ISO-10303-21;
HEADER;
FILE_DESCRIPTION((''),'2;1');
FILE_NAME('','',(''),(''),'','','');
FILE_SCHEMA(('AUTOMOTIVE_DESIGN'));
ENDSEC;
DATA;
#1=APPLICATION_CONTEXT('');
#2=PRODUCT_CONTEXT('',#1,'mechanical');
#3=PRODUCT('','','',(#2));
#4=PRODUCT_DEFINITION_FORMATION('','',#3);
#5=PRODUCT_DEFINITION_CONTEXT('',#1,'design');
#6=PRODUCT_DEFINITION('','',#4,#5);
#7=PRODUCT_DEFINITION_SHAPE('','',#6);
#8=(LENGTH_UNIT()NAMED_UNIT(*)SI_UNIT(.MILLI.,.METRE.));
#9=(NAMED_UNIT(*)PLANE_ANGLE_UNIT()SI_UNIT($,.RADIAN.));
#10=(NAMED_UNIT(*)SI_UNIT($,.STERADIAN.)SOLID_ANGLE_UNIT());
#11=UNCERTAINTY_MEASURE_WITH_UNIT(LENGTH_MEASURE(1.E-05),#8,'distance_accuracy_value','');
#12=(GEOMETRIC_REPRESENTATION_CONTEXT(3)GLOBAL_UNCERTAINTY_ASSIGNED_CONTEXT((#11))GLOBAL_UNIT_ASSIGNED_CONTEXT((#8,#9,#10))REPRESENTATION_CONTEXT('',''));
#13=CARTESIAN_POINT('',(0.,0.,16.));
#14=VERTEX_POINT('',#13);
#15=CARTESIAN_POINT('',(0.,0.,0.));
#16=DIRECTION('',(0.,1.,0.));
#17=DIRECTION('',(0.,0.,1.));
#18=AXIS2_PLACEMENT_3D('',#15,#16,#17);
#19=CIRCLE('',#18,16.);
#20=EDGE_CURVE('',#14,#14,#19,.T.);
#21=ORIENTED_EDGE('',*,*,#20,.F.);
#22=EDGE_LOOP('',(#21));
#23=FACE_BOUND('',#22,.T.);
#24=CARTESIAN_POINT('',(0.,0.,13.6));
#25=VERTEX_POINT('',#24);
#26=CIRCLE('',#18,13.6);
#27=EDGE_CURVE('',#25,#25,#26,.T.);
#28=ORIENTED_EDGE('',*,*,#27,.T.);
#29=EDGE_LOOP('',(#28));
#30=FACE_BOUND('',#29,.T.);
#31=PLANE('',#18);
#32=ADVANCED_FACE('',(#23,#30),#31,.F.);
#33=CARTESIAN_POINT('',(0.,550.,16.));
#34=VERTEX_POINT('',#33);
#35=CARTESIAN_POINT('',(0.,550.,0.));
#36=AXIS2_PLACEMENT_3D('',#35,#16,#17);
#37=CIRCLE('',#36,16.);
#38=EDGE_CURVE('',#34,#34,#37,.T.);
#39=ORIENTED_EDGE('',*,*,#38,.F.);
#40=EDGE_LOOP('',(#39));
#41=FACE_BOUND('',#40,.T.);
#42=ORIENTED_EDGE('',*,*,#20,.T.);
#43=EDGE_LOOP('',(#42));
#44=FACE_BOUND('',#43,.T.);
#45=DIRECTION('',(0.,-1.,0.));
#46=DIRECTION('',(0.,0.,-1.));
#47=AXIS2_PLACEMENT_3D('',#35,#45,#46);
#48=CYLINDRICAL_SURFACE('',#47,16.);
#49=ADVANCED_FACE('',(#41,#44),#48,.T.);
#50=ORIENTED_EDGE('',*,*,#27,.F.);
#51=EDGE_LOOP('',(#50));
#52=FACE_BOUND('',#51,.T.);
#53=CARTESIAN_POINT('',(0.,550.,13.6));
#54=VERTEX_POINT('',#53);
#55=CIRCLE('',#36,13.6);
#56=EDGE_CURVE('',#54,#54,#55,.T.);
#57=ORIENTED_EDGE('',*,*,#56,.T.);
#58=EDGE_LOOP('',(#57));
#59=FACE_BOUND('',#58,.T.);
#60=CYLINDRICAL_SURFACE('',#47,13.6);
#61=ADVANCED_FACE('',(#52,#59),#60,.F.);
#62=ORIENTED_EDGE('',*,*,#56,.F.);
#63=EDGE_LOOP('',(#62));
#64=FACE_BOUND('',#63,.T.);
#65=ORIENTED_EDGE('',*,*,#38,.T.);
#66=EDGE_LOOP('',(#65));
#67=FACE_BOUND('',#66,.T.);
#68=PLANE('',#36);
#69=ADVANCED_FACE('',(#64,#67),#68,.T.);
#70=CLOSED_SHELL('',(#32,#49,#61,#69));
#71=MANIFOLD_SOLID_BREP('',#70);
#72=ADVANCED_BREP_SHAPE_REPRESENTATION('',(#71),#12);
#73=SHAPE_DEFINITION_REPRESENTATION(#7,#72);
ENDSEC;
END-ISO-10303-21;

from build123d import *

# Parameters (mm, degrees)
SKETCH_1_R      = 16
SKETCH_1_R_2    = 13.6
EXTRUDE_1_DEPTH = 550


with BuildPart() as part:
    # 草图1 → 凸台-拉伸1 (new body)
    with BuildSketch(Plane(origin=(0, 0, 0), x_dir=(1, 0, 0), z_dir=(0, 1, 0))):
        with Locations(Location((0, 0, 0), (0, 0, 270))):
            Circle(SKETCH_1_R)
        with Locations(Location((0, 0, 0), (0, 0, 270))):
            Circle(SKETCH_1_R_2, mode=Mode.SUBTRACT)
    extrude(amount=EXTRUDE_1_DEPTH)


solid = part.part
